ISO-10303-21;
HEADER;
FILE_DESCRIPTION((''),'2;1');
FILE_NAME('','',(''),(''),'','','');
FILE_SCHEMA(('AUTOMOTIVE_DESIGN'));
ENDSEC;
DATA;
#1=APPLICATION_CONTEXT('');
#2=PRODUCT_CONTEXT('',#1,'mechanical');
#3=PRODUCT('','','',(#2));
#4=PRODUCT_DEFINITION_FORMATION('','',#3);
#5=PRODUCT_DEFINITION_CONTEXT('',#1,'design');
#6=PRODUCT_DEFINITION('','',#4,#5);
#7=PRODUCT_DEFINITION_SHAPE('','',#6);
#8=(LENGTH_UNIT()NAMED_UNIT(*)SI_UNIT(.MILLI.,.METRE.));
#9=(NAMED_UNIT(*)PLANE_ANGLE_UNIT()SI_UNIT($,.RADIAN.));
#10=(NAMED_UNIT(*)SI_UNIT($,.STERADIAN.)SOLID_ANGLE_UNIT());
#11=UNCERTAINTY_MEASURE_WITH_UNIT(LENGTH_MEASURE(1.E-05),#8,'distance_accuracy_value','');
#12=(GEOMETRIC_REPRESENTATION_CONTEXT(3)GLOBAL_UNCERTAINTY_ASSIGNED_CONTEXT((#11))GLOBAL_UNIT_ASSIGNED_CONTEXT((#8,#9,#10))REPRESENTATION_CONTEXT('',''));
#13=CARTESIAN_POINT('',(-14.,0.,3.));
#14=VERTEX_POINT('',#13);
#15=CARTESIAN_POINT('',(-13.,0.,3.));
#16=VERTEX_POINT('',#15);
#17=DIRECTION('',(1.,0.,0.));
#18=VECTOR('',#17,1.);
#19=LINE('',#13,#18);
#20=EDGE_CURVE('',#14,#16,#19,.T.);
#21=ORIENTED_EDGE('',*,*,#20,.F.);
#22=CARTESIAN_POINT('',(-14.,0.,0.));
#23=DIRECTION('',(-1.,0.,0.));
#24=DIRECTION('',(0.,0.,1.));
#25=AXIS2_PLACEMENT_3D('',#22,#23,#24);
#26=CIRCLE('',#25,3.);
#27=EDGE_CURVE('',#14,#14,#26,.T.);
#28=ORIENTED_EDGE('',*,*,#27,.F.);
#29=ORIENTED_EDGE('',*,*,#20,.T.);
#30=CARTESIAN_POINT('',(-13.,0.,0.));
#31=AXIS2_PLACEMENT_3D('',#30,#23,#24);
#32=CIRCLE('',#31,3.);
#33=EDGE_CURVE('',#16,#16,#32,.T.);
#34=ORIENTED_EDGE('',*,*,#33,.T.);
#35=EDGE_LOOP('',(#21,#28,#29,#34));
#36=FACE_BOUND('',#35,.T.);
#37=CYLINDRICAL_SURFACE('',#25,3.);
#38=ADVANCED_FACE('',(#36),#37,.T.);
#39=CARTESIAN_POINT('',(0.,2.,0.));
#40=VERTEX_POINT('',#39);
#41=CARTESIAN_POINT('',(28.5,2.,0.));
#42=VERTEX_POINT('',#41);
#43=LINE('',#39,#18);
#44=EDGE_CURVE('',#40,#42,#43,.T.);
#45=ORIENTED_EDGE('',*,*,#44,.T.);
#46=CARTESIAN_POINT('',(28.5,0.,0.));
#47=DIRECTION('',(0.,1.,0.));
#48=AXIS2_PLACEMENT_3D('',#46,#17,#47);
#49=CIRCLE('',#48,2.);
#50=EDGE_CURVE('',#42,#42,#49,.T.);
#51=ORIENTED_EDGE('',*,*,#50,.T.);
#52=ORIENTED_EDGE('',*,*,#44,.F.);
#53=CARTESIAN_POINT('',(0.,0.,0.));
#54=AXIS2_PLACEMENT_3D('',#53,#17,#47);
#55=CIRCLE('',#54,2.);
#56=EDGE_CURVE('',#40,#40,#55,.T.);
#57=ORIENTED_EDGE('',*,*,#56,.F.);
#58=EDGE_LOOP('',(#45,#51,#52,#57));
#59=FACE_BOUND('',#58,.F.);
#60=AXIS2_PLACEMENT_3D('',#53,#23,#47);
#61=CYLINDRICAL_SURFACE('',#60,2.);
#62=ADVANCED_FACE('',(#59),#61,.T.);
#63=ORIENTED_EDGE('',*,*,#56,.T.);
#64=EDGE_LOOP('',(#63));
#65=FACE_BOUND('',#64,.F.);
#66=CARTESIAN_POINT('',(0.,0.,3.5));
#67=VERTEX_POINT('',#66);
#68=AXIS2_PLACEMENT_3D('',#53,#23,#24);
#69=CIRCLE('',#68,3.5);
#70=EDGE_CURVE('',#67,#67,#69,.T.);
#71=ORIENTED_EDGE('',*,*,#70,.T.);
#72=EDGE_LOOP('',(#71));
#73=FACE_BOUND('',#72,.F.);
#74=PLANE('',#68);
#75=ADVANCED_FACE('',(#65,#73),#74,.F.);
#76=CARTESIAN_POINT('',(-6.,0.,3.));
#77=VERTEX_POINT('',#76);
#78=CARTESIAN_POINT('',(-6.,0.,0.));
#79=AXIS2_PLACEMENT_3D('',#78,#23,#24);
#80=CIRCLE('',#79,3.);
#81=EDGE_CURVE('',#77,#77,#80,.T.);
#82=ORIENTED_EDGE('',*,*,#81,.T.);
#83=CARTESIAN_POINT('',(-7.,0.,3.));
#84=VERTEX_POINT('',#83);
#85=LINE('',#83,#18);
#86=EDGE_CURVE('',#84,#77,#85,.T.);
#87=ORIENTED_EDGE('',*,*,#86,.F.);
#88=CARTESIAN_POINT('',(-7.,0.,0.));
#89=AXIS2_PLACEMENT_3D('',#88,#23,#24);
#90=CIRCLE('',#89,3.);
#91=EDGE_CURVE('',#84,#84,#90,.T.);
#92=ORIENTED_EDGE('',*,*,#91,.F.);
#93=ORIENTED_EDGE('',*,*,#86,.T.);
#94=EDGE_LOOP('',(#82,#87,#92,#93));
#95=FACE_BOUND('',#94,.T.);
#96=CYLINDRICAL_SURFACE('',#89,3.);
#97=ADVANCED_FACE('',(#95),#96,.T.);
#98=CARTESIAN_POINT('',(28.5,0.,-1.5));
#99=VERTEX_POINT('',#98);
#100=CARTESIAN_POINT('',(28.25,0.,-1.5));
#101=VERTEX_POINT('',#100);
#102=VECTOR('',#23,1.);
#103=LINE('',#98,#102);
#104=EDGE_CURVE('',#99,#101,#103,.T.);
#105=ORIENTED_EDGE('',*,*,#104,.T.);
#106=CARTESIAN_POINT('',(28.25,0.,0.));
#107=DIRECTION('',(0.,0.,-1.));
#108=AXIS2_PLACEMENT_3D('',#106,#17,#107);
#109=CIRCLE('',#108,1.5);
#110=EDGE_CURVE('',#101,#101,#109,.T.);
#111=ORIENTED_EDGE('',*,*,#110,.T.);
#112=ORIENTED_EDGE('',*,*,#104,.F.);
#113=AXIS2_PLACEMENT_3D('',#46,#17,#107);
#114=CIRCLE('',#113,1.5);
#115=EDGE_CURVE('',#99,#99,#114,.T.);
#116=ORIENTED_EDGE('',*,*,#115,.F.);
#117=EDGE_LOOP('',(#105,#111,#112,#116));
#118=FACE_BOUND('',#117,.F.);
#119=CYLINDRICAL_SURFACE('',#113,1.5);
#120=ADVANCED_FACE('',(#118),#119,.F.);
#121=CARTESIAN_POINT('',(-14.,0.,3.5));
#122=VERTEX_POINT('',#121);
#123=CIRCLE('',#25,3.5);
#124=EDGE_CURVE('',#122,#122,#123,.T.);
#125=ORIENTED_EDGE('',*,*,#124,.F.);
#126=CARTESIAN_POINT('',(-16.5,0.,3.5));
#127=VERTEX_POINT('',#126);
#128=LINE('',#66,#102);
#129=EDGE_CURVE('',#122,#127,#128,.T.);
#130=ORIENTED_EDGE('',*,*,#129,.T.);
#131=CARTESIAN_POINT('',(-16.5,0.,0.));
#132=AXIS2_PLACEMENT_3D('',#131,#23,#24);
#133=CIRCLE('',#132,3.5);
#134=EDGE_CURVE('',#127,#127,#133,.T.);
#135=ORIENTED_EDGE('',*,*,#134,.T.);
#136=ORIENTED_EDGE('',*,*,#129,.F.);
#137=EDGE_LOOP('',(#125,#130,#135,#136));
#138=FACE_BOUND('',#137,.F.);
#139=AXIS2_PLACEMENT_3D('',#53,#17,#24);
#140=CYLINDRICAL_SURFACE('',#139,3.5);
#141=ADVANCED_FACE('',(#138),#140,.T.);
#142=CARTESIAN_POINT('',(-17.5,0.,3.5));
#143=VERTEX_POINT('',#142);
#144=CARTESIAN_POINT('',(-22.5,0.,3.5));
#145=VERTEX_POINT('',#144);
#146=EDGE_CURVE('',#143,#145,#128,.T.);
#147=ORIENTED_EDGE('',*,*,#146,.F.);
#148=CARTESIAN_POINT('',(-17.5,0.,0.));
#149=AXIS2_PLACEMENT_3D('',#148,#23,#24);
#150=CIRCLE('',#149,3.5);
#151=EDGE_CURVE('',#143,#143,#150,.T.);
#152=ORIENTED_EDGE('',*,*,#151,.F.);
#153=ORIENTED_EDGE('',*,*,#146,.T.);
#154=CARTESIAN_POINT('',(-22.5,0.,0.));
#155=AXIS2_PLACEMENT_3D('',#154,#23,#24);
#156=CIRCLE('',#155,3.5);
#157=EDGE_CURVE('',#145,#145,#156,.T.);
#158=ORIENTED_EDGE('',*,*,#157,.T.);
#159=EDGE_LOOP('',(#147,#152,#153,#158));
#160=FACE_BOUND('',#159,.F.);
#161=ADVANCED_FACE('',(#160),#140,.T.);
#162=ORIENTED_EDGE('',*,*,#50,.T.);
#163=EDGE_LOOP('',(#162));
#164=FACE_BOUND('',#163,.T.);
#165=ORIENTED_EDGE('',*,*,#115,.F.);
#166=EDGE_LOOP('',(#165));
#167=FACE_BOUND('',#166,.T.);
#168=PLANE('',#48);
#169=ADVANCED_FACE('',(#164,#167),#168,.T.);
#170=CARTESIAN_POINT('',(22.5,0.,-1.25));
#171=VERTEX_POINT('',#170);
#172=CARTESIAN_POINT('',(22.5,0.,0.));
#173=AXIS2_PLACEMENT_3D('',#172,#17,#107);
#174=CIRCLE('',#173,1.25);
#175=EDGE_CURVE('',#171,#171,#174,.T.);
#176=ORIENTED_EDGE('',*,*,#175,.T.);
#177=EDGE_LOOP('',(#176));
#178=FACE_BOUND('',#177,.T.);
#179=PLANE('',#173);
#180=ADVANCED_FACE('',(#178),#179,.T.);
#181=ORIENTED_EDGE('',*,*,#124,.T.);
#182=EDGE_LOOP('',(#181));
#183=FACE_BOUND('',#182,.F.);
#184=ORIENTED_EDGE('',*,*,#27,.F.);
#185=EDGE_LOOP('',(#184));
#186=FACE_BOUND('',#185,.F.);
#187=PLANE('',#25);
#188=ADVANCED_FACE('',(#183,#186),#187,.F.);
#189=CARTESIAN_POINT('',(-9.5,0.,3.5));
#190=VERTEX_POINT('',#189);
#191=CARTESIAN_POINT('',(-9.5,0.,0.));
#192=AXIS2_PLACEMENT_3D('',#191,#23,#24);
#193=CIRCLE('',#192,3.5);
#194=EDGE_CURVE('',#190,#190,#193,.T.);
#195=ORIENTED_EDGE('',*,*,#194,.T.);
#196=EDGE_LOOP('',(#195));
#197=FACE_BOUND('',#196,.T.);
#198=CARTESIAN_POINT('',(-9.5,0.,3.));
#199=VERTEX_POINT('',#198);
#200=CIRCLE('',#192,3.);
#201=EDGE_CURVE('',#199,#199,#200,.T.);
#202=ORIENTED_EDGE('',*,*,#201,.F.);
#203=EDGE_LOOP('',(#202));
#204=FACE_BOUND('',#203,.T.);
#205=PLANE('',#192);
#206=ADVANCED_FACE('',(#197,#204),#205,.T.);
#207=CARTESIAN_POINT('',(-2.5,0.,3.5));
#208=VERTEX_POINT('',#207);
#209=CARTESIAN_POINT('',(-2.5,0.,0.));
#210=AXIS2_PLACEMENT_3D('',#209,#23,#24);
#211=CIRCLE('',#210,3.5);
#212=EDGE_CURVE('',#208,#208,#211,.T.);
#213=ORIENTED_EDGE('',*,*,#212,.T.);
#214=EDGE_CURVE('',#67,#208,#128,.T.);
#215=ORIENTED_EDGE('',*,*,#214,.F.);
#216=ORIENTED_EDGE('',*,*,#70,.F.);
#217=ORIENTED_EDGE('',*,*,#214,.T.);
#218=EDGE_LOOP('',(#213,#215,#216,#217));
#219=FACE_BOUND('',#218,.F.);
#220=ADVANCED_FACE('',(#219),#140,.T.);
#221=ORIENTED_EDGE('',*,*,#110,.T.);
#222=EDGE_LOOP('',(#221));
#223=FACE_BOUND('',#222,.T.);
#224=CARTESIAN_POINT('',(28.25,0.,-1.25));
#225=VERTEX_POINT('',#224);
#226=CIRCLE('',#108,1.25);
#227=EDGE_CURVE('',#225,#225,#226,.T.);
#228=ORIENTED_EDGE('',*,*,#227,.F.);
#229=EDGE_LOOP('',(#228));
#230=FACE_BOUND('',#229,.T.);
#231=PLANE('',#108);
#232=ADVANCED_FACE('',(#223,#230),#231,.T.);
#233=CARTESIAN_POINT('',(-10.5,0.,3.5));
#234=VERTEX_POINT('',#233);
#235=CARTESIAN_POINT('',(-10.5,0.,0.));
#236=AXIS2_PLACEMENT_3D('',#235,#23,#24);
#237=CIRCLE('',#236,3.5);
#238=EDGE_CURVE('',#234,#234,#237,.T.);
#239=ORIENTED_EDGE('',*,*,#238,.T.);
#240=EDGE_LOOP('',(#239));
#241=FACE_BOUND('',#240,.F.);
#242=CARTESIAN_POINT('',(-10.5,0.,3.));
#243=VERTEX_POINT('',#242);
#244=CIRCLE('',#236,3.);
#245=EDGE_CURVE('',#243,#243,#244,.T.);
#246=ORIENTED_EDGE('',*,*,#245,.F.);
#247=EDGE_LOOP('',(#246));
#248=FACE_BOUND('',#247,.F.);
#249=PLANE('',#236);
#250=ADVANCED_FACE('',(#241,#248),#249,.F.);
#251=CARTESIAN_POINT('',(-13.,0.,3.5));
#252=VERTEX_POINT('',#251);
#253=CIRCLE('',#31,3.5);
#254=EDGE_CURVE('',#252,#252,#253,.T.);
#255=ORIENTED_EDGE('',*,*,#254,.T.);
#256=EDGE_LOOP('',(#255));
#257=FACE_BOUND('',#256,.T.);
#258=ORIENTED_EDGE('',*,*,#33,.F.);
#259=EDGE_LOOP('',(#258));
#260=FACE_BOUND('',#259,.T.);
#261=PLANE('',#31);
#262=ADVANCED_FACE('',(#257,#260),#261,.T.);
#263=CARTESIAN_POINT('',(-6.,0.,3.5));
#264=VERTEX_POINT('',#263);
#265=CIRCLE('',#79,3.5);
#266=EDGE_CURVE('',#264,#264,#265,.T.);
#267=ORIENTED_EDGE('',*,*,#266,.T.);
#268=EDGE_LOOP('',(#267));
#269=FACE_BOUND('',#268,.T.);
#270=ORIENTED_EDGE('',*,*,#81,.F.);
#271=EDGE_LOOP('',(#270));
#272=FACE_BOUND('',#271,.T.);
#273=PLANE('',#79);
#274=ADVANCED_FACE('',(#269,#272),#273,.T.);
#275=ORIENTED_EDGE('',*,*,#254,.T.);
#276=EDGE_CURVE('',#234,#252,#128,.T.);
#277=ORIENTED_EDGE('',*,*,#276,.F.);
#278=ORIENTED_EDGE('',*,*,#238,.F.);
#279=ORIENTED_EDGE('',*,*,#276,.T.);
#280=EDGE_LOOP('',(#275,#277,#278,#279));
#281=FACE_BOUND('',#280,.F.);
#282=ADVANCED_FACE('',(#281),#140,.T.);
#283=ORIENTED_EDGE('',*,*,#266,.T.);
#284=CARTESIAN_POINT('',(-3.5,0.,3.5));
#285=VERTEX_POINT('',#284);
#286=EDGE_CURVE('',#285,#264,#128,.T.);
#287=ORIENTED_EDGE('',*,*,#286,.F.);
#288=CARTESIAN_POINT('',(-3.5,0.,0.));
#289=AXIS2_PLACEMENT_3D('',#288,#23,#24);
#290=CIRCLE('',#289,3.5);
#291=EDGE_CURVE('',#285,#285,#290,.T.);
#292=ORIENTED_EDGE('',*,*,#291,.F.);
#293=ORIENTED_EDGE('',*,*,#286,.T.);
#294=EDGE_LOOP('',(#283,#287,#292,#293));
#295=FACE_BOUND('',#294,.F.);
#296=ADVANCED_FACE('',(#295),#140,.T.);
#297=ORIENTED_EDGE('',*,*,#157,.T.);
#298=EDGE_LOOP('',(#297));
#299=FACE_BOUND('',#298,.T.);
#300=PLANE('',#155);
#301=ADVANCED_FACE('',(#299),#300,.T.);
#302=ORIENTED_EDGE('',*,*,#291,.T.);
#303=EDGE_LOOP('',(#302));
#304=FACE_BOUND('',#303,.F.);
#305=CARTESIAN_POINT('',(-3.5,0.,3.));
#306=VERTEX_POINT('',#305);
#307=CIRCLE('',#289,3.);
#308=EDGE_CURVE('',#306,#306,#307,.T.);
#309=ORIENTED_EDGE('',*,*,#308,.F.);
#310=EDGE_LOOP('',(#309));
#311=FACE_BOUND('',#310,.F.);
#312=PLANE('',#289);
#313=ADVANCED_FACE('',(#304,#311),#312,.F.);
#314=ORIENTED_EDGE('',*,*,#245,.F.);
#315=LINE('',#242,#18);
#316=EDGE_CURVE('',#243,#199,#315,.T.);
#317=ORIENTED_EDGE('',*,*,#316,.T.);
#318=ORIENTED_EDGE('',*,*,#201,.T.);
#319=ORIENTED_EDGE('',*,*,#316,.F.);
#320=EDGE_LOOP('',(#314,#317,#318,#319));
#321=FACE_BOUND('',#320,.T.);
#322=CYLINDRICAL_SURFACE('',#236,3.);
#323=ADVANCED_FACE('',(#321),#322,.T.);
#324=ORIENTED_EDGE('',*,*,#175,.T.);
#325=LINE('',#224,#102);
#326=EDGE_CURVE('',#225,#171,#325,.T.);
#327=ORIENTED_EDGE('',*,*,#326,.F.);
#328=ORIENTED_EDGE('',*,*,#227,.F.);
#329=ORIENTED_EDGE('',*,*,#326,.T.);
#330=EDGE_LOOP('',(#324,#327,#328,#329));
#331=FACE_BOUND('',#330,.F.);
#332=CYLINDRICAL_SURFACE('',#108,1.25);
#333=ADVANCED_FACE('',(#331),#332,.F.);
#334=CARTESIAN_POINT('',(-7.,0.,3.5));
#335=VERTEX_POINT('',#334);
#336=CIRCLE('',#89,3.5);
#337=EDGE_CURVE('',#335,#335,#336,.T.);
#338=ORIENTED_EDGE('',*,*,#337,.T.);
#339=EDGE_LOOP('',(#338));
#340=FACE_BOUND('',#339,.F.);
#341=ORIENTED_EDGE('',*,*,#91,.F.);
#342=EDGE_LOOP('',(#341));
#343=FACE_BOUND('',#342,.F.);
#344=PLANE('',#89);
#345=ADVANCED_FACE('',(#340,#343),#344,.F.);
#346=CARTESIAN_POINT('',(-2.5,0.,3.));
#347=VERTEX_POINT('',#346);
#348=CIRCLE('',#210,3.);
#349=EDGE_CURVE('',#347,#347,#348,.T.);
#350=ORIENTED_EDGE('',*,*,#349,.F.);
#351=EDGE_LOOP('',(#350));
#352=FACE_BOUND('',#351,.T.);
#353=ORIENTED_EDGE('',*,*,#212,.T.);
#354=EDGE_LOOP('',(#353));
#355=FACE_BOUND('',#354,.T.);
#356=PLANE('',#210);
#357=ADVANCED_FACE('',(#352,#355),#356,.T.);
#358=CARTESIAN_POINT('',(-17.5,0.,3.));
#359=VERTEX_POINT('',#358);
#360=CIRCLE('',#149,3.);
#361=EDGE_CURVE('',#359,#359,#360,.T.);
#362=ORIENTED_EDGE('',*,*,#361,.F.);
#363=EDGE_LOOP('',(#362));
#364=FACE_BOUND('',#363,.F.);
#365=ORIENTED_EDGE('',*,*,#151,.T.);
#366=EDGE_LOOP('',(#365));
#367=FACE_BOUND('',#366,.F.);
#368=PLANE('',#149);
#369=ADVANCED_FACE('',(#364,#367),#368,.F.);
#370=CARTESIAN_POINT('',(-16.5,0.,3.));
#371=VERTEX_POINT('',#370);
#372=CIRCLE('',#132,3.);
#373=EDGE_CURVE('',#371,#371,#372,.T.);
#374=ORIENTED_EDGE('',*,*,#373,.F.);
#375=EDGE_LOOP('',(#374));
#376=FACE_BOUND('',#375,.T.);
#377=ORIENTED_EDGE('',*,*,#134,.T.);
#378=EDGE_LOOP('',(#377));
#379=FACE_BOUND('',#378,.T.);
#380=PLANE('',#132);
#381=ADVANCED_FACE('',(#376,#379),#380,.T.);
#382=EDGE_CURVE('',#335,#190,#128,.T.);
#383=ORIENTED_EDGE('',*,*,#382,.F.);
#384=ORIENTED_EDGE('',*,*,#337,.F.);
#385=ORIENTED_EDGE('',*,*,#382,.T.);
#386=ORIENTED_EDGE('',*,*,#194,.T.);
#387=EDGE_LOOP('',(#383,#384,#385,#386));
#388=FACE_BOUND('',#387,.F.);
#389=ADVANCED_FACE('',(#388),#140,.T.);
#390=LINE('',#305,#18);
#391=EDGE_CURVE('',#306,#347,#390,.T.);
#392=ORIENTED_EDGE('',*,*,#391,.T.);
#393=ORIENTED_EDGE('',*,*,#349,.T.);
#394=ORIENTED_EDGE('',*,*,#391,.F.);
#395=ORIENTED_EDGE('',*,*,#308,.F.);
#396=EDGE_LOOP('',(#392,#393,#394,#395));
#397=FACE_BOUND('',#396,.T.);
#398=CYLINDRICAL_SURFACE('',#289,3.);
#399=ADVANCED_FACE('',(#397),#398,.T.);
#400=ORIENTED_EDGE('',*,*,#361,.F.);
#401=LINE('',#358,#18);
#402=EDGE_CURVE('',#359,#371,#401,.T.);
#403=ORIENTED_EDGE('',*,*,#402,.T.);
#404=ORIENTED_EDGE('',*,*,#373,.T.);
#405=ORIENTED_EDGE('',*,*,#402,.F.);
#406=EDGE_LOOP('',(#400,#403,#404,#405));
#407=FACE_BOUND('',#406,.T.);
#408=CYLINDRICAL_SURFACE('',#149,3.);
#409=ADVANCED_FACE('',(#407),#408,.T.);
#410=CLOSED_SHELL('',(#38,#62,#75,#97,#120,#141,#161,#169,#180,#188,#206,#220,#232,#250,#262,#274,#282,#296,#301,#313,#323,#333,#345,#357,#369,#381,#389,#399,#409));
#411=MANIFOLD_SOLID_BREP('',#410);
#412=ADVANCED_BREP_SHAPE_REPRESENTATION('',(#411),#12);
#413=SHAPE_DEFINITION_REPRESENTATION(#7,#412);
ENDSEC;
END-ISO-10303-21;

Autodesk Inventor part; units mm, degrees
ref_plane "XY Plane" through (0, 0, 0) normal (0, 0, 1) x (1, 0, 0)
sketch "Sketch1" plane through (0, 0, 0) normal (1, 0, 0) x (0, 1, 0)
  circle A0 centre (0, 0) radius 2
  dimension "d0" = 4
extrude "Extrusion1" add sketch "Sketch1" along normal blind 28.5
sketch "Sketch2" plane through (28.5, 0, 0) normal (1, 0, 0) x (0, 0, -1)
  circle A0 centre (0, 0) radius 1.5
  dimension "d3" = 3
extrude "Extrusion2" cut sketch "Sketch2" against normal blind 0.25
sketch "Sketch3" plane through (28.25, 0, 0) normal (1, 0, 0) x (0, 0, -1)
  circle A0 centre (0, 0) radius 1.25
  dimension "d6" = 2.5
extrude "Extrusion3" cut sketch "Sketch3" against normal blind 5.75
sketch "Sketch4" plane through (0, 0, 0) normal (-1, 0, 0) x (0, 0, 1)
  circle A0 centre (0, 0) radius 3.5
  dimension "d9" = 7
extrude "Extrusion4" add sketch "Sketch4" along normal blind 22.5
ref_plane "Work Plane1" through (-17.5, 0, 0) normal (-1, 0, 0) x (0, 0, 1)
sketch "Sketch5" plane through (-17.5, 0, 0) normal (-1, 0, 0) x (0, 0, 1)
  circle A0 centre (0, 0) radius 3
  circle A1 centre (0, 0) radius 3.5
  dimension "d13" = 6
  dimension "d14" = 7
extrude "Extrusion5" cut sketch "Sketch5" against normal blind 1
ref_plane "Work Plane2" through (-14, 0, 0) normal (-1, 0, 0) x (0, 0, 1)
sketch "Sketch7" plane through (-14, 0, 0) normal (-1, 0, 0) x (0, 0, 1)
  circle A0 centre (0, 0) radius 3
  circle A1 centre (0, 0) radius 3.5
  dimension "d18" = 7
  dimension "d19" = 6
extrude "Extrusion6" cut sketch "Sketch7" against normal blind 1
ref_plane "Work Plane3" through (-10.5, 0, 0) normal (-1, 0, 0) x (0, 0, 1)
sketch "Sketch9" plane through (-10.5, 0, 0) normal (-1, 0, 0) x (0, 0, 1)
  circle A0 centre (0, 0) radius 3
  circle A1 centre (0, 0) radius 3.5
  dimension "d25" = 7
  dimension "d26" = 6
extrude "Extrusion7" cut sketch "Sketch9" against normal blind 1
ref_plane "Work Plane4" through (-7, 0, 0) normal (-1, 0, 0) x (0, 0, 1)
sketch "Sketch10" plane through (-7, 0, 0) normal (-1, 0, 0) x (0, 0, 1)
  circle A0 centre (0, 0) radius 3
  circle A1 centre (0, 0) radius 3.5
  dimension "d30" = 7
  dimension "d31" = 6
extrude "Extrusion8" cut sketch "Sketch10" against normal blind 1
ref_plane "Work Plane5" through (-3.5, 0, 0) normal (-1, 0, 0) x (0, 0, 1)
sketch "Sketch11" plane through (-3.5, 0, 0) normal (-1, 0, 0) x (0, 0, 1)
  circle A0 centre (0, 0) radius 2 projected
  circle A1 centre (0, 0) radius 3
  circle A2 centre (0, 0) radius 3.5
  dimension "d35" = 7
  dimension "d36" = 6
extrude "Extrusion9" cut sketch "Sketch11" against normal blind 1 contours A2
